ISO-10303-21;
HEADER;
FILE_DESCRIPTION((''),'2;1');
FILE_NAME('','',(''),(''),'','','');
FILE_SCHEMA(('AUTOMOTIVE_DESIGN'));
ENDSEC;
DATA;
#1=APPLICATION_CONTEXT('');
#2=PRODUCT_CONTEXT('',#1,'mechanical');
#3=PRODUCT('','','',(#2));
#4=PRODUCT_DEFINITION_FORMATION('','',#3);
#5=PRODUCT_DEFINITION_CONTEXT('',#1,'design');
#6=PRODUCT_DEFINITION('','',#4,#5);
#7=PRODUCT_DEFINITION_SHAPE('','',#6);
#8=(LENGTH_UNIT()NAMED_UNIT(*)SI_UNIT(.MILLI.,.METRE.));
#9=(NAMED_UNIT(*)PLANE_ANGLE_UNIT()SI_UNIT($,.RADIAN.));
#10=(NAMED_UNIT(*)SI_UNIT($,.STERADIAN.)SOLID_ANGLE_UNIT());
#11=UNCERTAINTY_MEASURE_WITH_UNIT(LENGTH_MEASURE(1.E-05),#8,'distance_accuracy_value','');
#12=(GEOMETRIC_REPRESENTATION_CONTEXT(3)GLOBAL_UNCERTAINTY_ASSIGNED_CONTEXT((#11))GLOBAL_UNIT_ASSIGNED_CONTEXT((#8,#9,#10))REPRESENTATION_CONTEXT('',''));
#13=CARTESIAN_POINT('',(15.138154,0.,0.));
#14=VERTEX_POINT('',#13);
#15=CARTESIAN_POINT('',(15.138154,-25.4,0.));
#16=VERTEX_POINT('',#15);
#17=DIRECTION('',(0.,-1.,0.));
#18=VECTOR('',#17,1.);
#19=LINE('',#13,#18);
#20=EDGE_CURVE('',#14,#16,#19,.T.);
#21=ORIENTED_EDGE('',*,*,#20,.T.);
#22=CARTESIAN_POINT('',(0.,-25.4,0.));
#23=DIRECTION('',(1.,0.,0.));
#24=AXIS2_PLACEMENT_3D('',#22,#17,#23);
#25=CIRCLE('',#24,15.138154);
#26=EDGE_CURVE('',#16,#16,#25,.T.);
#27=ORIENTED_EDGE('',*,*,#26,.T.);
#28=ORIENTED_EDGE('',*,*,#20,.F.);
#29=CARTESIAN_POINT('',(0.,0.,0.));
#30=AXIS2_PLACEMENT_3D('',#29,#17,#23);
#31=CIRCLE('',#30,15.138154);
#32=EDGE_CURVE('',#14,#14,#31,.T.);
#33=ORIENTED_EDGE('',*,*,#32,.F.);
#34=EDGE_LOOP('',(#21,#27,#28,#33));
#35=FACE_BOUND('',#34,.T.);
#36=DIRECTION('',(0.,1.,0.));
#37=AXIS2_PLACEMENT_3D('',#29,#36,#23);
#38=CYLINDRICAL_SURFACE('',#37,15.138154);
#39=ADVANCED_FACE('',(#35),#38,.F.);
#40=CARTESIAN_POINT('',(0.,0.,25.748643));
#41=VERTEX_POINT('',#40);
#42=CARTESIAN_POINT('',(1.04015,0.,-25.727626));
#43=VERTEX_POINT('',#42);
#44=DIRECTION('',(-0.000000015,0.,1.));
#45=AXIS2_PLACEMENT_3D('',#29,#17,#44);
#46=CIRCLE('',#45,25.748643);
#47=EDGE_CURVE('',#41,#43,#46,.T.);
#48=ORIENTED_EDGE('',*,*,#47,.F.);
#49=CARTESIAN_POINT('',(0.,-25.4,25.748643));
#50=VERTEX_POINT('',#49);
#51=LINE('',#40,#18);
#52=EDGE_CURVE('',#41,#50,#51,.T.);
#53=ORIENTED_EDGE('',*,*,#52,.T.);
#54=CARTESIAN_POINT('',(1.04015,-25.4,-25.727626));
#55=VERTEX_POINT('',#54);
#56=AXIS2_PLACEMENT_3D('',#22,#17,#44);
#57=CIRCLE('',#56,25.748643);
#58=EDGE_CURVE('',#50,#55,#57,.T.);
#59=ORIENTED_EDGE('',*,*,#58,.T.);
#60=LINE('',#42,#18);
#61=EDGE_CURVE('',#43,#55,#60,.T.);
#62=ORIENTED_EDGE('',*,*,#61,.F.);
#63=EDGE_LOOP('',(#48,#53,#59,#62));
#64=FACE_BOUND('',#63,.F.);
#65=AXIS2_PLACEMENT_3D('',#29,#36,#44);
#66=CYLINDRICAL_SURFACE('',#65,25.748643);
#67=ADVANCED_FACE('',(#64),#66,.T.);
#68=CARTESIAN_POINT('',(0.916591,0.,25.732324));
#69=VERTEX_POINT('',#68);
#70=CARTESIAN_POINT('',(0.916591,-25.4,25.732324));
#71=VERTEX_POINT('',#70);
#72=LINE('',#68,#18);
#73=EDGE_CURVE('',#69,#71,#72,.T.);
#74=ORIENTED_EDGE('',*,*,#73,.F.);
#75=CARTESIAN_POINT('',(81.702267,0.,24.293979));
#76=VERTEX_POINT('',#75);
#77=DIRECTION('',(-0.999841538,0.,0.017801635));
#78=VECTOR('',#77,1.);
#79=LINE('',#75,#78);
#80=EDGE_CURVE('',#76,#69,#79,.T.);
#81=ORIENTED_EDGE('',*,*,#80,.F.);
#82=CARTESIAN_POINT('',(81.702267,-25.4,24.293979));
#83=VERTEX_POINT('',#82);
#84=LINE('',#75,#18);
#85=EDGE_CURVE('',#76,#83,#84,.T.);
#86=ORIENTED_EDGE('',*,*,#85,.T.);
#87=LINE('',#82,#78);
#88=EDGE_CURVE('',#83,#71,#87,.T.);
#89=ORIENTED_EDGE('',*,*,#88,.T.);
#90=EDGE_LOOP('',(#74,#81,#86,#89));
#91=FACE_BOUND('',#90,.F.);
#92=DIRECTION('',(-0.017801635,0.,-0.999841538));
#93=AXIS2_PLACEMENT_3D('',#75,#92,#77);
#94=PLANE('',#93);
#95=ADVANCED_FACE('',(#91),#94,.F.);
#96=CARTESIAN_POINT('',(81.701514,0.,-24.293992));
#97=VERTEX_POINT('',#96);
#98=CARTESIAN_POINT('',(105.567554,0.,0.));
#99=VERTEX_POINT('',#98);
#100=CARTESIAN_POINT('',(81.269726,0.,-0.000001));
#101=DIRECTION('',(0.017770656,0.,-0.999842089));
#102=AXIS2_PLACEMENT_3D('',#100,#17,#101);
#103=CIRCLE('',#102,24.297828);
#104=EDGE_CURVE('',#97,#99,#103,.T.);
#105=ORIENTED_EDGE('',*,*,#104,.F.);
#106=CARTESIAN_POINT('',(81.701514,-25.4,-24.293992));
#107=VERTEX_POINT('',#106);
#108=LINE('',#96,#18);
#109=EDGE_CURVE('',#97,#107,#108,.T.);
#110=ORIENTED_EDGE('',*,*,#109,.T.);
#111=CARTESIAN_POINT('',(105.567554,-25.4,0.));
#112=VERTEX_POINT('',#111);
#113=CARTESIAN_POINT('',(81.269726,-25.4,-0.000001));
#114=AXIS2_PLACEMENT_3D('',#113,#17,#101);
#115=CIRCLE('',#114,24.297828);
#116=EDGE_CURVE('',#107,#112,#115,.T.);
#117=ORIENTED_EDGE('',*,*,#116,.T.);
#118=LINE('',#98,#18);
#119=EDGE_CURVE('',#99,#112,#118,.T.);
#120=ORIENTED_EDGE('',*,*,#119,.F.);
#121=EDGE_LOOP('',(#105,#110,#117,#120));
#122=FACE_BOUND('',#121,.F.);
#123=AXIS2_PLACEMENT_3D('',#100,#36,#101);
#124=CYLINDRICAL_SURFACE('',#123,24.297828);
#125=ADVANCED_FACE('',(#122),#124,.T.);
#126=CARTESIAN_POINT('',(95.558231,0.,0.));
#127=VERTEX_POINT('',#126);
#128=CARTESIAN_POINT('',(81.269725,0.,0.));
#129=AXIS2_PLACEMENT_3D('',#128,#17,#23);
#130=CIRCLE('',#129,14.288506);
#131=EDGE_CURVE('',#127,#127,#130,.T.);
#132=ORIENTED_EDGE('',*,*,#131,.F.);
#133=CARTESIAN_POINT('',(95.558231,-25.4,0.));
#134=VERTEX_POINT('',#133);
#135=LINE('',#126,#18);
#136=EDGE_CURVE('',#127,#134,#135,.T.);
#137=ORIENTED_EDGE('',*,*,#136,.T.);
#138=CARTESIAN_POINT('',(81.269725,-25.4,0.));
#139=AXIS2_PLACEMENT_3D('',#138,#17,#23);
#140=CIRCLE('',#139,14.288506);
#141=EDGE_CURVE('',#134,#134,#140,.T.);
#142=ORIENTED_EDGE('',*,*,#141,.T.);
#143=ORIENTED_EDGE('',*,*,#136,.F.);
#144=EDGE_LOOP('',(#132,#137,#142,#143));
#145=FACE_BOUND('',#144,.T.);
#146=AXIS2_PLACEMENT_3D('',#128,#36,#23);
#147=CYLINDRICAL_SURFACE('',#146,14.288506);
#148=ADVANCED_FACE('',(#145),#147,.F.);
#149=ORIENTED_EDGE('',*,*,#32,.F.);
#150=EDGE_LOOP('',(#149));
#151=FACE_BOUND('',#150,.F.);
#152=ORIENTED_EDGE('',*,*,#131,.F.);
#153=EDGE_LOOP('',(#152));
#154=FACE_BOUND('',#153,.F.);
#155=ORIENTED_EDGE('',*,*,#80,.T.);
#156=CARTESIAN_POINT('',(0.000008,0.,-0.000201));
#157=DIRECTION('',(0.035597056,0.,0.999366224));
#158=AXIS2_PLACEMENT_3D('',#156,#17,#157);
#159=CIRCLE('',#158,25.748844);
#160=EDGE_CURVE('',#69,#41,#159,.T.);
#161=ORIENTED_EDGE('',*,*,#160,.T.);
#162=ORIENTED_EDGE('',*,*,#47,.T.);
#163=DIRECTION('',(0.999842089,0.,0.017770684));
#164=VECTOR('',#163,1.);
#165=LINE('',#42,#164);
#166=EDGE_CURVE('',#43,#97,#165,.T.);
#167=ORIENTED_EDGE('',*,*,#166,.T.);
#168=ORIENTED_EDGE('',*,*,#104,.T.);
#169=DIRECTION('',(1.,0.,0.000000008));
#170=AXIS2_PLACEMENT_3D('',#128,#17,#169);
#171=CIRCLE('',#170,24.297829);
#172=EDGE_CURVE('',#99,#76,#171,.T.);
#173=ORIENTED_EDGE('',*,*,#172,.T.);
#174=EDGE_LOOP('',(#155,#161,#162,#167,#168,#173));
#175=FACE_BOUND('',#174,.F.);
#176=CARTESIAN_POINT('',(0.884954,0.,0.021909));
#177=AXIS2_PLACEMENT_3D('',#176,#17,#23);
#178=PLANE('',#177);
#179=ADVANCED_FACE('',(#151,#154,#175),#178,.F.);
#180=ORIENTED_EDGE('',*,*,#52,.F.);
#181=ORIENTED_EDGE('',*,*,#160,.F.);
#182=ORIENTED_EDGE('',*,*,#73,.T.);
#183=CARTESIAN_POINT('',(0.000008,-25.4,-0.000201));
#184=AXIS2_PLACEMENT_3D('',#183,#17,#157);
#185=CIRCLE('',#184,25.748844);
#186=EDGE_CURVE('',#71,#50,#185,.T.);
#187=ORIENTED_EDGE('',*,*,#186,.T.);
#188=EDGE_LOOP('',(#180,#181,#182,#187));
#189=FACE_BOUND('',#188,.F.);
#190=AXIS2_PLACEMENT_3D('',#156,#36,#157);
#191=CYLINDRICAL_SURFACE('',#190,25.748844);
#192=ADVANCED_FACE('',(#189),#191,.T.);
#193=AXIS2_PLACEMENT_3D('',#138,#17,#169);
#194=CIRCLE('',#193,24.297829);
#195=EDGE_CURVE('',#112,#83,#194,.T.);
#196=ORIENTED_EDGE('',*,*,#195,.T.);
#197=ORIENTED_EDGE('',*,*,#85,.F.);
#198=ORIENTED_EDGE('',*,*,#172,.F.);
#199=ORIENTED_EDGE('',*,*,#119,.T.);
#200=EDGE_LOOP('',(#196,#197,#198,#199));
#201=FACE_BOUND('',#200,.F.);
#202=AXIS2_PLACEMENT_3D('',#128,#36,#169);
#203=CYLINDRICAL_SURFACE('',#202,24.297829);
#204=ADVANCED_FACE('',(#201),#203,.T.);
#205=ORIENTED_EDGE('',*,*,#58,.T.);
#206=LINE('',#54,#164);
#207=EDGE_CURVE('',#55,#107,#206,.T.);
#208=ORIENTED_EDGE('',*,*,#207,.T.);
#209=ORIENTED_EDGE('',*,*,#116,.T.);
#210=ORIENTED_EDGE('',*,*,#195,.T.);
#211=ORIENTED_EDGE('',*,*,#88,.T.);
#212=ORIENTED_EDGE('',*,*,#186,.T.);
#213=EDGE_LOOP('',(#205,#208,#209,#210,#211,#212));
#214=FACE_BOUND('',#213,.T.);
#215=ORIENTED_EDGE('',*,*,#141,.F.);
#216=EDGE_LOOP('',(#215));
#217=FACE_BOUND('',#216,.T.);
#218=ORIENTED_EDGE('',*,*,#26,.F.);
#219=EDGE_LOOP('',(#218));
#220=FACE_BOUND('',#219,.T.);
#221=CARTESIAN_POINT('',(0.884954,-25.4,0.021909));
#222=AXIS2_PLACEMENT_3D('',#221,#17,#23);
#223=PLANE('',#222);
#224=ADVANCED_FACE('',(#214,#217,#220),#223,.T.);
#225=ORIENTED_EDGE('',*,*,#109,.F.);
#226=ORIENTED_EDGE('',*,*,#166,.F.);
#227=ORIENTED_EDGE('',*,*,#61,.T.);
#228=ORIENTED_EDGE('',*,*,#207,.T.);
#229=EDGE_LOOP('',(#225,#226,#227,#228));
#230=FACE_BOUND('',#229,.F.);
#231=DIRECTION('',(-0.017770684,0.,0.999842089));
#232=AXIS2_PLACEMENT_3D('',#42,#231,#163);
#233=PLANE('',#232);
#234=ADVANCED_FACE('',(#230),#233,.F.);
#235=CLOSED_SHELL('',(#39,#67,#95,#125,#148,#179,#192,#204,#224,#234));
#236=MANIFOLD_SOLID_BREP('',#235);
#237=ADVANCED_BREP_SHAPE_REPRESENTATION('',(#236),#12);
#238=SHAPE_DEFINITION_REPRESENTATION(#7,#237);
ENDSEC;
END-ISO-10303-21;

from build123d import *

# Parameters (mm, degrees)
F0_R     = 15.138154
F0_R_2   = 14.288506
F1_DEPTH = 25.4


with BuildPart() as f1:
    # F0 (on Front) → F1 (new body)
    with BuildSketch(Plane.XZ):
        with BuildLine():
            Line((0.916591, 25.732324), (0, 25.748643))
            ThreePointArc((0, 25.748643), (-25.743388, -0.520181), (1.04015, -25.727626))
            ThreePointArc((1.04015, -25.727626), (18.571148, -17.835501), (25.748643, 0))
            ThreePointArc((25.748643, 0), (18.52827, 17.88004), (0.916591, 25.732324))
        make_face()
        Circle(F0_R, mode=Mode.SUBTRACT)
        with BuildLine():
            ThreePointArc((0.916591, 25.732324), (0.458368, 25.744563), (0, 25.748643))
            Line((0, 25.748643), (0.916591, 25.732324))
        make_face()
        with BuildLine():
            ThreePointArc((25.748643, 0), (18.571148, -17.835501), (1.04015, -25.727626))
            Line((1.04015, -25.727626), (81.701514, -24.293992))
            ThreePointArc((81.701514, -24.293992), (56.971897, 0.000376), (81.702267, 24.293979))
            Line((81.702267, 24.293979), (0.916591, 25.732324))
            ThreePointArc((0.916591, 25.732324), (18.52827, 17.88004), (25.748643, 0))
        make_face()
        with BuildLine():
            ThreePointArc((81.702267, 24.293979), (56.971897, 0.000376), (81.701514, -24.293992))
            ThreePointArc((81.701514, -24.293992), (98.602873, -17.027815), (105.567554, 0))
            ThreePointArc((105.567554, 0), (98.603137, 17.027546), (81.702267, 24.293979))
        make_face()
        with Locations((81.269725, 0)):
            Circle(F0_R_2, mode=Mode.SUBTRACT)
    extrude(amount=F1_DEPTH)


solid = f1.part
